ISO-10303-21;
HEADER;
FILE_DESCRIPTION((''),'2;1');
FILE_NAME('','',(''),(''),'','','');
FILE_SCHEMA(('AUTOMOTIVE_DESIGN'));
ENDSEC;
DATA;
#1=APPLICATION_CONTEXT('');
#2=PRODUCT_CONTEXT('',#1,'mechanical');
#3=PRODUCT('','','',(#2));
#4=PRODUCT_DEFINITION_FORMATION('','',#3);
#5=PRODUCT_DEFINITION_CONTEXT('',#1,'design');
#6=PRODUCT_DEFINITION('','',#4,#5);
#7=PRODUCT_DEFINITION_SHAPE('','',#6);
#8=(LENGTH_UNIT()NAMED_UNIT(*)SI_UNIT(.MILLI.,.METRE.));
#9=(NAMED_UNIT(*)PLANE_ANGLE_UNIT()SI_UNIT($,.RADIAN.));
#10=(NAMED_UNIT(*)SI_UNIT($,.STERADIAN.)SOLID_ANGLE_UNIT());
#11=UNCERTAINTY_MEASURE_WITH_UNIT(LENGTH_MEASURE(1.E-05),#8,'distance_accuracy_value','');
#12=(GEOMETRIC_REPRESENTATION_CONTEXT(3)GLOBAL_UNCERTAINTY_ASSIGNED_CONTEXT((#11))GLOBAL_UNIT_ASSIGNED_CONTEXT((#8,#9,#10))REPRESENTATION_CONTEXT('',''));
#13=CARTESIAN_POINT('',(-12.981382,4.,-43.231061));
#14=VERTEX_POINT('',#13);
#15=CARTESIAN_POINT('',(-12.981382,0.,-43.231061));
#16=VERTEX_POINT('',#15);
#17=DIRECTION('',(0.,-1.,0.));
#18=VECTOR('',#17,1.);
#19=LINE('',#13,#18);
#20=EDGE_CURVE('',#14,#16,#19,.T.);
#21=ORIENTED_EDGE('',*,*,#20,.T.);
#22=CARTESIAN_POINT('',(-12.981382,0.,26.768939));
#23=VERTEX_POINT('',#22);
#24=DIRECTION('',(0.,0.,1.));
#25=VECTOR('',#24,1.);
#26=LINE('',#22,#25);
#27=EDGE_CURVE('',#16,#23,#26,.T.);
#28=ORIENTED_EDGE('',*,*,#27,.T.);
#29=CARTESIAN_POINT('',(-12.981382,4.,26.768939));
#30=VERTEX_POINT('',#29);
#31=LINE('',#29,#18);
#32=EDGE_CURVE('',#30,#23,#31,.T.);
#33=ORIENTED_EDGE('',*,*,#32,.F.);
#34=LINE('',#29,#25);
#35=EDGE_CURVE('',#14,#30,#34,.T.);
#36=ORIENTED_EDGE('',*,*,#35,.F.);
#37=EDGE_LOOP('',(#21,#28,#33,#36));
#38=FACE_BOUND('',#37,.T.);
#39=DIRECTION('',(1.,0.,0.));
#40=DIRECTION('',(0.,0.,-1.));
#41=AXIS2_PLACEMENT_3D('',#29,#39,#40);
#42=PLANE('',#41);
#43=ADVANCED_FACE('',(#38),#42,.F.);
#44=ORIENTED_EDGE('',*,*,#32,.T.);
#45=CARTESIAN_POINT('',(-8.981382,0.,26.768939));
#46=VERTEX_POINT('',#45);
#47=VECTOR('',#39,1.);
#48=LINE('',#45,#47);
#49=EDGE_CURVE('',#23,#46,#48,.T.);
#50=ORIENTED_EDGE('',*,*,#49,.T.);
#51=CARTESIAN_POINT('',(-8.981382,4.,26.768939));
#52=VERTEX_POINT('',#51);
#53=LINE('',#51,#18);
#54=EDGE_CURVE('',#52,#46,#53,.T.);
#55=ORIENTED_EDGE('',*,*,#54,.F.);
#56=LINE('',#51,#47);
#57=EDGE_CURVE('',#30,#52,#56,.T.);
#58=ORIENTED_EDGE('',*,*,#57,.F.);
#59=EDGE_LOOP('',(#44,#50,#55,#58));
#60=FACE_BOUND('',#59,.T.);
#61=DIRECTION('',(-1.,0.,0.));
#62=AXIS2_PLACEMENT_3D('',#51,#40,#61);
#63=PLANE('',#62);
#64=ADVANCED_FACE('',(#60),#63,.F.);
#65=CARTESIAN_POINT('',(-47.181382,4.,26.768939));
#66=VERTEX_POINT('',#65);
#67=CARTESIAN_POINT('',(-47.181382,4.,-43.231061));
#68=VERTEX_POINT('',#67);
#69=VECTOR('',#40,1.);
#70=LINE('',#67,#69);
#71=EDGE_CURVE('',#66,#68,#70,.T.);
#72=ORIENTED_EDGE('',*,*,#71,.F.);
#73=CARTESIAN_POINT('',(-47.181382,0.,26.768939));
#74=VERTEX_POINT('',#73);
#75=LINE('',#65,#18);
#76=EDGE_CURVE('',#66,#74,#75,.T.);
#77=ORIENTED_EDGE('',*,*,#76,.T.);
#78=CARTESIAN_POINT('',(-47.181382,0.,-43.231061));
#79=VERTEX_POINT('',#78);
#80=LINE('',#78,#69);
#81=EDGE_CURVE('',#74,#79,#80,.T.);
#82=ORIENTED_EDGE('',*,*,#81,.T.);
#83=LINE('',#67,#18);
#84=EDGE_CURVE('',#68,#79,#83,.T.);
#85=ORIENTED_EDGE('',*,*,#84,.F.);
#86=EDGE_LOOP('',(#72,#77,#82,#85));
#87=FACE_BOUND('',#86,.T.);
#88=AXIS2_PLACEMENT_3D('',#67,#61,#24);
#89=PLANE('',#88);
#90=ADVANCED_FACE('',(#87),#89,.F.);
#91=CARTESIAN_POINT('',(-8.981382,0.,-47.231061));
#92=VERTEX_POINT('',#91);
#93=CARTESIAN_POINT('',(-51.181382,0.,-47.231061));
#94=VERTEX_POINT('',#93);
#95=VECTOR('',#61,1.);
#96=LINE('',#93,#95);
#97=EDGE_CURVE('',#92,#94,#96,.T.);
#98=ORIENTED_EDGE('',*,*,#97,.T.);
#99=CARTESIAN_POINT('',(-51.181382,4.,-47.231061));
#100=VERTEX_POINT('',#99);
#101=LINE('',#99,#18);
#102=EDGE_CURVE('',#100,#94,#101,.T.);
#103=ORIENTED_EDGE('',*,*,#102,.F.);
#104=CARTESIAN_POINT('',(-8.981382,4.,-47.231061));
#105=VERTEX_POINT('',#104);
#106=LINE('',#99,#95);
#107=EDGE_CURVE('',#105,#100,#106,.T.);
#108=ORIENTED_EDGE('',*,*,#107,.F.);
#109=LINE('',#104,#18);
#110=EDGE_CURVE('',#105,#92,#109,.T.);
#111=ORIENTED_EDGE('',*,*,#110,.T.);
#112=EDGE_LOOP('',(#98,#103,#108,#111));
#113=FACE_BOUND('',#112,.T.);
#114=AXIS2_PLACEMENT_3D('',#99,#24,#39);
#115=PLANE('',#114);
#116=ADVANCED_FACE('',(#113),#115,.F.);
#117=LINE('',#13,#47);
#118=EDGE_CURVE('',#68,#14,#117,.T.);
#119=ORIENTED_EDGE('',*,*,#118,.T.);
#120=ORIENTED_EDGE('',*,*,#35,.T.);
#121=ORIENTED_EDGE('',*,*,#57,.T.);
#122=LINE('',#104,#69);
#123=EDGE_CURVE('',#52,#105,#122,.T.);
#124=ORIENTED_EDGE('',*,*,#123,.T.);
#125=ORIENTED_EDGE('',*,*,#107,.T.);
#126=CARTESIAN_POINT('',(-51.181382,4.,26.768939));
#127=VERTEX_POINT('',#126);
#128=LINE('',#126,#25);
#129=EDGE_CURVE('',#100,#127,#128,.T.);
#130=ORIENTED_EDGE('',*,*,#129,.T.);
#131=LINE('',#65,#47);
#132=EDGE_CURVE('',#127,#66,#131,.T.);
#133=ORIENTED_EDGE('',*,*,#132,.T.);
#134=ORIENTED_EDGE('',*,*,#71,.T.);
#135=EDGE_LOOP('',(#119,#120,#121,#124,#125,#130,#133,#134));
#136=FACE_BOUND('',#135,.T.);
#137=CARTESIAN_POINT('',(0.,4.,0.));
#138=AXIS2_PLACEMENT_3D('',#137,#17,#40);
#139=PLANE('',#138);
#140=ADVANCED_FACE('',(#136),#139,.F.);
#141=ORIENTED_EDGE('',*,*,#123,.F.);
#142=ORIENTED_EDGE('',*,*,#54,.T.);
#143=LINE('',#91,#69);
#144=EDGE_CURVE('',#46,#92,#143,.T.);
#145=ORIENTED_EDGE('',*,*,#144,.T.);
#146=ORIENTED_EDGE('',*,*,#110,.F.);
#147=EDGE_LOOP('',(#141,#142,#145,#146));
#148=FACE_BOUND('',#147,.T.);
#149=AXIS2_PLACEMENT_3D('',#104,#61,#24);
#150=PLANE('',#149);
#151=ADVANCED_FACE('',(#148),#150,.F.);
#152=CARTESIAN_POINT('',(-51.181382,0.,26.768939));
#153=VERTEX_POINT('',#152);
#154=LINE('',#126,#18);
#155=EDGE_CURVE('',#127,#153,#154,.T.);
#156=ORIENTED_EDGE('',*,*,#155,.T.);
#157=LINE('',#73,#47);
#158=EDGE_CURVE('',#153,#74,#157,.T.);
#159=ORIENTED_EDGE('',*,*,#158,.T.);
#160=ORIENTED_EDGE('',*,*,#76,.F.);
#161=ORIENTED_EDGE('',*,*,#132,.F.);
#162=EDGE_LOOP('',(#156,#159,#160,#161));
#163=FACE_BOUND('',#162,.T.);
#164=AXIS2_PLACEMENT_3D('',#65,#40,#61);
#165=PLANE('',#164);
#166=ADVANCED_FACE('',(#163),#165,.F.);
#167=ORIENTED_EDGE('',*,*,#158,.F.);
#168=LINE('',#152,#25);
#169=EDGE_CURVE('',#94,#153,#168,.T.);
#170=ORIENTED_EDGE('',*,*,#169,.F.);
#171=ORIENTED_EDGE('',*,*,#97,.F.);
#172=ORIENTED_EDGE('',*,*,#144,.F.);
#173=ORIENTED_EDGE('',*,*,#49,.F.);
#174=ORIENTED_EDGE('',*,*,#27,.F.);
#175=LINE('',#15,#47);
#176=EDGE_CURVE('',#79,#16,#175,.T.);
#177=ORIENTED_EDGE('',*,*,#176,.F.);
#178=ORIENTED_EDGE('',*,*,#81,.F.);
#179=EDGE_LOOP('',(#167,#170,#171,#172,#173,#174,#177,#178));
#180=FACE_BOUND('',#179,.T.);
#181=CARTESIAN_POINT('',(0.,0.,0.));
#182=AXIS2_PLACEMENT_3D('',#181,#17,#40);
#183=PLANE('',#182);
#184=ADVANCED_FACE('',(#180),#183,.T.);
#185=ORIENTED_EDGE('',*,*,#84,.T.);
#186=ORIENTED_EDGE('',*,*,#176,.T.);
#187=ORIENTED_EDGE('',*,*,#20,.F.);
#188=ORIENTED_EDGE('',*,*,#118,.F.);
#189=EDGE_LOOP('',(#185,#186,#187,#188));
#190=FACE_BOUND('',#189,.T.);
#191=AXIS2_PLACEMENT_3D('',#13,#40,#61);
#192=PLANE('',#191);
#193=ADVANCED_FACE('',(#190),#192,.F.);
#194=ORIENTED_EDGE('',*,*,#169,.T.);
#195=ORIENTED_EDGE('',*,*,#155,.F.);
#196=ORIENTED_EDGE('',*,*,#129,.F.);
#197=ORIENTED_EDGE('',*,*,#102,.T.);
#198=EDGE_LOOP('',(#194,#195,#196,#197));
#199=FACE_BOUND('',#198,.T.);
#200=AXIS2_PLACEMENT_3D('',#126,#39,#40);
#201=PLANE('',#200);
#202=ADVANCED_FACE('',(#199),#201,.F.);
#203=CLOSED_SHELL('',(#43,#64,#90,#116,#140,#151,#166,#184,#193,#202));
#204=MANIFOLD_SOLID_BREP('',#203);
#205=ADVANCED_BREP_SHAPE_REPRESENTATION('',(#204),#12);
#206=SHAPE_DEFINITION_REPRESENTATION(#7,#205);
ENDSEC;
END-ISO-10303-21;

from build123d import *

# Parameters (mm, degrees)
BOSS_EXTRUDE1_DEPTH = 4


with BuildPart() as part:
    # Sketch1 → Boss-Extrude1 (new body)
    with BuildSketch(Plane(origin=(0, 0, 0), x_dir=(1, 0, 0), z_dir=(0, 1, 0))):
        Polygon((-51.181381644, -26.768939394), (-51.181381644, 47.231060606), (-8.981381644, 47.231060606), (-8.981381644, -26.768939394), (-12.981381644, -26.768939394), (-12.981381644, 43.231060606), (-47.181381644, 43.231060606), (-47.181381644, -26.768939394), align=None)
    extrude(amount=BOSS_EXTRUDE1_DEPTH)


solid = part.part
